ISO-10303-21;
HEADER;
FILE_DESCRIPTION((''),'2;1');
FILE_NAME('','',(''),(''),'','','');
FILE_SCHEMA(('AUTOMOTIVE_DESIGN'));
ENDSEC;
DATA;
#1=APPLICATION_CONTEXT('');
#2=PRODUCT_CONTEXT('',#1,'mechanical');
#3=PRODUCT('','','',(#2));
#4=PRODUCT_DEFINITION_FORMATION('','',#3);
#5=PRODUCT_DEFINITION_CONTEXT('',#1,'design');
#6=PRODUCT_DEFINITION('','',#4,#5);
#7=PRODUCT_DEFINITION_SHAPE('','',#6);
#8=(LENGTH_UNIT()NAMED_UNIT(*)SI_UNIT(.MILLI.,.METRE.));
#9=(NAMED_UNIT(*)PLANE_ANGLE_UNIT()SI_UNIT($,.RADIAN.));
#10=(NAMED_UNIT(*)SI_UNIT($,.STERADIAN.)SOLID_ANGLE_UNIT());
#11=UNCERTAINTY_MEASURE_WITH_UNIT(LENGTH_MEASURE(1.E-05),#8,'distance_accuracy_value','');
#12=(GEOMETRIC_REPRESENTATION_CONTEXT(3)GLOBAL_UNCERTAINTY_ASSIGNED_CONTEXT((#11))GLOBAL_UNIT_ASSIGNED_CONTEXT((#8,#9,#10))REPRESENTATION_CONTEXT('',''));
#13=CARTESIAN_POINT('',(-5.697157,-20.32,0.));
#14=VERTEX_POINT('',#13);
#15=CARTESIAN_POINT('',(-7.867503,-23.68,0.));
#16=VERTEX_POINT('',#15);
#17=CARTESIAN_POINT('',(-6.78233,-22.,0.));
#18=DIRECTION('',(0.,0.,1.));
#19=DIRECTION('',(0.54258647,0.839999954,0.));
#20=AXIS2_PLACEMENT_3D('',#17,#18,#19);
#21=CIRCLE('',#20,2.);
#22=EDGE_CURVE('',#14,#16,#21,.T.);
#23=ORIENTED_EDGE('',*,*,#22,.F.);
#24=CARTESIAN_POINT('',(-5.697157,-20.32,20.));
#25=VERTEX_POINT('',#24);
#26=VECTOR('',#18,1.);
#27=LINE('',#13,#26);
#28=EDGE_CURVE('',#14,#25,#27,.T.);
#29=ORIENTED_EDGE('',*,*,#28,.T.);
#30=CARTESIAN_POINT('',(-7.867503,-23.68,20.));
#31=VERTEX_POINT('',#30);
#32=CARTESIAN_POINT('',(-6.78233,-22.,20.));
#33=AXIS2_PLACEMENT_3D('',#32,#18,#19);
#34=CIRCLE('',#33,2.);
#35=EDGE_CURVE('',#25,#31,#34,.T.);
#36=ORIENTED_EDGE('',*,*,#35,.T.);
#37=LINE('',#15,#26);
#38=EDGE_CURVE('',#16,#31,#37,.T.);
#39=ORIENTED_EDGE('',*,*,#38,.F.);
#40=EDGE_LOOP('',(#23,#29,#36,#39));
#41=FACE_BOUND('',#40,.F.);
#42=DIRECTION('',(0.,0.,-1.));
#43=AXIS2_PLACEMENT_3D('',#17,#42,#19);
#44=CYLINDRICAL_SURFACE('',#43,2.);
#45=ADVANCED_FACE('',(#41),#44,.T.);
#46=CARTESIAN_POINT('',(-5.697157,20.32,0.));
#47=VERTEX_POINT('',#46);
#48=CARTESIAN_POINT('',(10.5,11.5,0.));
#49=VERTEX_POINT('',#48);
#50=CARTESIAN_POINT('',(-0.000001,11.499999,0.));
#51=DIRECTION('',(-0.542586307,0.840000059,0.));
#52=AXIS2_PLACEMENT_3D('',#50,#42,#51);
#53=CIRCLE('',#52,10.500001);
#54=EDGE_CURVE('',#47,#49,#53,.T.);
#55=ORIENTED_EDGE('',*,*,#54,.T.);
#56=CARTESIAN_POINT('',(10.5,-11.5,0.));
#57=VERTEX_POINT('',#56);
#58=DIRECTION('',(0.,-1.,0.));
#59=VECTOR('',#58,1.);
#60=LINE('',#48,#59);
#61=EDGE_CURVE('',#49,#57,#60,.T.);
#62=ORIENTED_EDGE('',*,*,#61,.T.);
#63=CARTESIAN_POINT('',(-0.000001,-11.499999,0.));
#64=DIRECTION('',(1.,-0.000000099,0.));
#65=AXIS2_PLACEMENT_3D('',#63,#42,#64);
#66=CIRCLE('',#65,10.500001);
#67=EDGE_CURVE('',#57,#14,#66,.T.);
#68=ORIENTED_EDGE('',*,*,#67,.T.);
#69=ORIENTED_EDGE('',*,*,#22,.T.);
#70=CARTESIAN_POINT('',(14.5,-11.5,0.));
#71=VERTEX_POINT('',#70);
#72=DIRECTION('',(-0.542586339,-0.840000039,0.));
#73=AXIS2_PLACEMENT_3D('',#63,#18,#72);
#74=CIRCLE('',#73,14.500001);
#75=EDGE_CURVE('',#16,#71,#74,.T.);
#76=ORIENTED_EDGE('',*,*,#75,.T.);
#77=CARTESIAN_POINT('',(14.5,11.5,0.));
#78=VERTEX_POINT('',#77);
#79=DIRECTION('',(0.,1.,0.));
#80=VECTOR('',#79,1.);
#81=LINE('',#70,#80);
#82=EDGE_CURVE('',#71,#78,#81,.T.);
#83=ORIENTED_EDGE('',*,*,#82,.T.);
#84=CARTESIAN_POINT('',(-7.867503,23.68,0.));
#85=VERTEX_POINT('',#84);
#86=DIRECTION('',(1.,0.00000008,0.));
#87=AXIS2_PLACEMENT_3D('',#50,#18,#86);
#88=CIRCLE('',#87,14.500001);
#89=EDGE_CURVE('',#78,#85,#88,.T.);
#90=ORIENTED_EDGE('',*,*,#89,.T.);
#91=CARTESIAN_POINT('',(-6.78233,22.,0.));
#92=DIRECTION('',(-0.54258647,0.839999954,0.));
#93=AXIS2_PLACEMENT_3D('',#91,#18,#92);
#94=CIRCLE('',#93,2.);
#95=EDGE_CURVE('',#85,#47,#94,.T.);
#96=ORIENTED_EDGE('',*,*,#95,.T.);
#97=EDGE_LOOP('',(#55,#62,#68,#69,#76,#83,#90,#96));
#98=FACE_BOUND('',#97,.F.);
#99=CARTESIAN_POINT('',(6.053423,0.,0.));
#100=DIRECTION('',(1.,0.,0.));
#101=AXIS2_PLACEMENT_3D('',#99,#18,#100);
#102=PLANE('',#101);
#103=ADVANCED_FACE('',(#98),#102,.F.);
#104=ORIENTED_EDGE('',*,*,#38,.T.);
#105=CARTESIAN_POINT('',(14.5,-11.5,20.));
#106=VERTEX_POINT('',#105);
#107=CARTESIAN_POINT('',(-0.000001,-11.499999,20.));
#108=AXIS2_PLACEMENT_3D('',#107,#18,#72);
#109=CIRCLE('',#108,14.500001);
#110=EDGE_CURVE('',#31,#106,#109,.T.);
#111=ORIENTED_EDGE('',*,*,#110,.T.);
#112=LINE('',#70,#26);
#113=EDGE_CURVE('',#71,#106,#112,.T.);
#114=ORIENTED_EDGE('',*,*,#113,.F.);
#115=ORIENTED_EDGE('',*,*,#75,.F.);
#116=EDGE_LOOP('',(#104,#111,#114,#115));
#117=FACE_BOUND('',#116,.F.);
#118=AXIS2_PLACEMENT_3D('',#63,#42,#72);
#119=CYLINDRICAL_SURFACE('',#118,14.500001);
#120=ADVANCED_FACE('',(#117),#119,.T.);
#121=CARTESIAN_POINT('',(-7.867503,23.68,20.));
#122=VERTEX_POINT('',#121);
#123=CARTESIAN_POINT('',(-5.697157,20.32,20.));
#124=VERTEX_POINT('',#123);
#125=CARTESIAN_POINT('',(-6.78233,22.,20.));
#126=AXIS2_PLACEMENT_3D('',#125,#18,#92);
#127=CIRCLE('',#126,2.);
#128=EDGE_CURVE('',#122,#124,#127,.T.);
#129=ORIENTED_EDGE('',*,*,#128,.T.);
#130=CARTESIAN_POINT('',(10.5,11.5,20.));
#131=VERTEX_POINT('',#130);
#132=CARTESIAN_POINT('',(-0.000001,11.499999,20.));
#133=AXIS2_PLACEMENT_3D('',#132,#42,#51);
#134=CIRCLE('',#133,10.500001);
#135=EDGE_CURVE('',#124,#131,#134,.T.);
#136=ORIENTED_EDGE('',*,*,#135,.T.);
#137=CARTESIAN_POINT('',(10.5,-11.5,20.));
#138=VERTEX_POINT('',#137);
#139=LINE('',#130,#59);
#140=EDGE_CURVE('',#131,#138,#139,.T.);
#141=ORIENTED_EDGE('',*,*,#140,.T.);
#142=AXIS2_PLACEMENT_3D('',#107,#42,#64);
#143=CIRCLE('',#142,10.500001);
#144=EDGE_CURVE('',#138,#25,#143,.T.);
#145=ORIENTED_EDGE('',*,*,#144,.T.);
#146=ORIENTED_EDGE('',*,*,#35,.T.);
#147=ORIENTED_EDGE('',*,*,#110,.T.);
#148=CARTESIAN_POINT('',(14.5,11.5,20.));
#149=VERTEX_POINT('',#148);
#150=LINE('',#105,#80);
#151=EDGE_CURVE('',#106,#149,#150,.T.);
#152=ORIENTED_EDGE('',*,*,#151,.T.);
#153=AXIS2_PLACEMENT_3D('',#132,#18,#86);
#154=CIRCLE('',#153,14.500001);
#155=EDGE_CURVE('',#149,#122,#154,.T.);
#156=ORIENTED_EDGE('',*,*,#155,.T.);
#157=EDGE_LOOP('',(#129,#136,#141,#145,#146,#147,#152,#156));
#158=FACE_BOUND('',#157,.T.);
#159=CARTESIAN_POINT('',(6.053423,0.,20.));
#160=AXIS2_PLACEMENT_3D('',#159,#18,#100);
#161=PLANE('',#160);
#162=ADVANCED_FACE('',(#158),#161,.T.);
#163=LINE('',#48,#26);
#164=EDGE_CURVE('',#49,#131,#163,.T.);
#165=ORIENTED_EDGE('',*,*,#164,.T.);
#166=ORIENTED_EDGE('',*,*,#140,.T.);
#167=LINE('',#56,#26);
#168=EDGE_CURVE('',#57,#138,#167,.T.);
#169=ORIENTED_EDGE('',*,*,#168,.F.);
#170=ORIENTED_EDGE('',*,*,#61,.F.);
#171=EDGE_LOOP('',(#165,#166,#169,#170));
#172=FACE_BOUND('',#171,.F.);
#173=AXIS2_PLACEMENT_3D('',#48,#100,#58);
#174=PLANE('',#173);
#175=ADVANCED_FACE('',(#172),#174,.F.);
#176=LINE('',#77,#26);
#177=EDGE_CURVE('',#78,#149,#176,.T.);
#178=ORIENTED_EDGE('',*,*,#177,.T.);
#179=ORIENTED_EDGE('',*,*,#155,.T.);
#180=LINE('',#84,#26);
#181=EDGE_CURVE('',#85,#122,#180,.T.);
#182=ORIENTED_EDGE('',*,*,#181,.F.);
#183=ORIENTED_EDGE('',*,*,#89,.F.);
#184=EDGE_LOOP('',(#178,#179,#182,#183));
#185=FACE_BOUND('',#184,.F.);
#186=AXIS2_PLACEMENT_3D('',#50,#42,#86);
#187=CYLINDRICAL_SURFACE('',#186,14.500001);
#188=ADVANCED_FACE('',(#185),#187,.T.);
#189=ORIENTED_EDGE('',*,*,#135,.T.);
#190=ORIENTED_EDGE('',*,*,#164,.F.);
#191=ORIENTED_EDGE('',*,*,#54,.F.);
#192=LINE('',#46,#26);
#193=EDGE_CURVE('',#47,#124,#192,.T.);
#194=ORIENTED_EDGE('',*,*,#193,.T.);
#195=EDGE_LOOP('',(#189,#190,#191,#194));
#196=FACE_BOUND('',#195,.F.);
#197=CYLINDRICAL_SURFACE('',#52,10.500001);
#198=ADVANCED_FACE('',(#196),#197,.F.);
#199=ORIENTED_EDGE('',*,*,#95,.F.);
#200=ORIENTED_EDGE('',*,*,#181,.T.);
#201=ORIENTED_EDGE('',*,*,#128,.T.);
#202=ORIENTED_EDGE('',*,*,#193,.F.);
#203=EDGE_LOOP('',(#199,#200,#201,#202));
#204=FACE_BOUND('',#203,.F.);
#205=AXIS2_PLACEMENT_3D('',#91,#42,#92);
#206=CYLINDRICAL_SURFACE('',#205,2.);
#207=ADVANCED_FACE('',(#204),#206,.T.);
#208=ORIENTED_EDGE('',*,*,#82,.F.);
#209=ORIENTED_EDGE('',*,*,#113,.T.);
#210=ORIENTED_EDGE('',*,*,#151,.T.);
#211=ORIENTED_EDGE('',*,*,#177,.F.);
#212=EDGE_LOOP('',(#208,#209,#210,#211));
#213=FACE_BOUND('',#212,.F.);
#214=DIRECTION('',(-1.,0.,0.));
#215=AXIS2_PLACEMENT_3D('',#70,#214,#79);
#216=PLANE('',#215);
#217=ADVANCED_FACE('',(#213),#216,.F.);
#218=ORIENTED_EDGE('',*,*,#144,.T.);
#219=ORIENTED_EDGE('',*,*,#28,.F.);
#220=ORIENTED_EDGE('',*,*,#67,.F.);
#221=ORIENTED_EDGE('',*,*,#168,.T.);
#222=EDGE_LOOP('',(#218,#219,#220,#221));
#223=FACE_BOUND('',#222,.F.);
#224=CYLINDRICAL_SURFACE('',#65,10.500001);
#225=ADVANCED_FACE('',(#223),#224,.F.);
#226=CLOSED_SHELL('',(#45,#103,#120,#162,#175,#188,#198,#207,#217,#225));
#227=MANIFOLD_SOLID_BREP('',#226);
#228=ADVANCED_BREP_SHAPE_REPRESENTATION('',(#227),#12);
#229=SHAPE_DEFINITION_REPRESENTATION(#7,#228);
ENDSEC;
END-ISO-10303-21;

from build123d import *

# Parameters (mm, degrees)
F1_DEPTH = 20


with BuildPart() as f1:
    # F0 (on Top) → F1 (new body)
    with BuildSketch(Plane.XY):
        with BuildLine():
            ThreePointArc((-5.697157, 20.32), (5.021446, 20.721446), (10.5, 11.5))
            Line((10.5, 11.5), (10.5, -11.5))
            ThreePointArc((10.5, -11.5), (5.021446, -20.721446), (-5.697157, -20.32))
            ThreePointArc((-5.697157, -20.32), (-8.46233, -20.914827), (-7.867503, -23.68))
            ThreePointArc((-7.867503, -23.68), (6.934378, -24.234378), (14.5, -11.5))
            Line((14.5, -11.5), (14.5, 11.5))
            ThreePointArc((14.5, 11.5), (6.934378, 24.234378), (-7.867503, 23.68))
            ThreePointArc((-7.867503, 23.68), (-8.46233, 20.914827), (-5.697157, 20.32))
        make_face()
    extrude(amount=F1_DEPTH)


solid = f1.part
